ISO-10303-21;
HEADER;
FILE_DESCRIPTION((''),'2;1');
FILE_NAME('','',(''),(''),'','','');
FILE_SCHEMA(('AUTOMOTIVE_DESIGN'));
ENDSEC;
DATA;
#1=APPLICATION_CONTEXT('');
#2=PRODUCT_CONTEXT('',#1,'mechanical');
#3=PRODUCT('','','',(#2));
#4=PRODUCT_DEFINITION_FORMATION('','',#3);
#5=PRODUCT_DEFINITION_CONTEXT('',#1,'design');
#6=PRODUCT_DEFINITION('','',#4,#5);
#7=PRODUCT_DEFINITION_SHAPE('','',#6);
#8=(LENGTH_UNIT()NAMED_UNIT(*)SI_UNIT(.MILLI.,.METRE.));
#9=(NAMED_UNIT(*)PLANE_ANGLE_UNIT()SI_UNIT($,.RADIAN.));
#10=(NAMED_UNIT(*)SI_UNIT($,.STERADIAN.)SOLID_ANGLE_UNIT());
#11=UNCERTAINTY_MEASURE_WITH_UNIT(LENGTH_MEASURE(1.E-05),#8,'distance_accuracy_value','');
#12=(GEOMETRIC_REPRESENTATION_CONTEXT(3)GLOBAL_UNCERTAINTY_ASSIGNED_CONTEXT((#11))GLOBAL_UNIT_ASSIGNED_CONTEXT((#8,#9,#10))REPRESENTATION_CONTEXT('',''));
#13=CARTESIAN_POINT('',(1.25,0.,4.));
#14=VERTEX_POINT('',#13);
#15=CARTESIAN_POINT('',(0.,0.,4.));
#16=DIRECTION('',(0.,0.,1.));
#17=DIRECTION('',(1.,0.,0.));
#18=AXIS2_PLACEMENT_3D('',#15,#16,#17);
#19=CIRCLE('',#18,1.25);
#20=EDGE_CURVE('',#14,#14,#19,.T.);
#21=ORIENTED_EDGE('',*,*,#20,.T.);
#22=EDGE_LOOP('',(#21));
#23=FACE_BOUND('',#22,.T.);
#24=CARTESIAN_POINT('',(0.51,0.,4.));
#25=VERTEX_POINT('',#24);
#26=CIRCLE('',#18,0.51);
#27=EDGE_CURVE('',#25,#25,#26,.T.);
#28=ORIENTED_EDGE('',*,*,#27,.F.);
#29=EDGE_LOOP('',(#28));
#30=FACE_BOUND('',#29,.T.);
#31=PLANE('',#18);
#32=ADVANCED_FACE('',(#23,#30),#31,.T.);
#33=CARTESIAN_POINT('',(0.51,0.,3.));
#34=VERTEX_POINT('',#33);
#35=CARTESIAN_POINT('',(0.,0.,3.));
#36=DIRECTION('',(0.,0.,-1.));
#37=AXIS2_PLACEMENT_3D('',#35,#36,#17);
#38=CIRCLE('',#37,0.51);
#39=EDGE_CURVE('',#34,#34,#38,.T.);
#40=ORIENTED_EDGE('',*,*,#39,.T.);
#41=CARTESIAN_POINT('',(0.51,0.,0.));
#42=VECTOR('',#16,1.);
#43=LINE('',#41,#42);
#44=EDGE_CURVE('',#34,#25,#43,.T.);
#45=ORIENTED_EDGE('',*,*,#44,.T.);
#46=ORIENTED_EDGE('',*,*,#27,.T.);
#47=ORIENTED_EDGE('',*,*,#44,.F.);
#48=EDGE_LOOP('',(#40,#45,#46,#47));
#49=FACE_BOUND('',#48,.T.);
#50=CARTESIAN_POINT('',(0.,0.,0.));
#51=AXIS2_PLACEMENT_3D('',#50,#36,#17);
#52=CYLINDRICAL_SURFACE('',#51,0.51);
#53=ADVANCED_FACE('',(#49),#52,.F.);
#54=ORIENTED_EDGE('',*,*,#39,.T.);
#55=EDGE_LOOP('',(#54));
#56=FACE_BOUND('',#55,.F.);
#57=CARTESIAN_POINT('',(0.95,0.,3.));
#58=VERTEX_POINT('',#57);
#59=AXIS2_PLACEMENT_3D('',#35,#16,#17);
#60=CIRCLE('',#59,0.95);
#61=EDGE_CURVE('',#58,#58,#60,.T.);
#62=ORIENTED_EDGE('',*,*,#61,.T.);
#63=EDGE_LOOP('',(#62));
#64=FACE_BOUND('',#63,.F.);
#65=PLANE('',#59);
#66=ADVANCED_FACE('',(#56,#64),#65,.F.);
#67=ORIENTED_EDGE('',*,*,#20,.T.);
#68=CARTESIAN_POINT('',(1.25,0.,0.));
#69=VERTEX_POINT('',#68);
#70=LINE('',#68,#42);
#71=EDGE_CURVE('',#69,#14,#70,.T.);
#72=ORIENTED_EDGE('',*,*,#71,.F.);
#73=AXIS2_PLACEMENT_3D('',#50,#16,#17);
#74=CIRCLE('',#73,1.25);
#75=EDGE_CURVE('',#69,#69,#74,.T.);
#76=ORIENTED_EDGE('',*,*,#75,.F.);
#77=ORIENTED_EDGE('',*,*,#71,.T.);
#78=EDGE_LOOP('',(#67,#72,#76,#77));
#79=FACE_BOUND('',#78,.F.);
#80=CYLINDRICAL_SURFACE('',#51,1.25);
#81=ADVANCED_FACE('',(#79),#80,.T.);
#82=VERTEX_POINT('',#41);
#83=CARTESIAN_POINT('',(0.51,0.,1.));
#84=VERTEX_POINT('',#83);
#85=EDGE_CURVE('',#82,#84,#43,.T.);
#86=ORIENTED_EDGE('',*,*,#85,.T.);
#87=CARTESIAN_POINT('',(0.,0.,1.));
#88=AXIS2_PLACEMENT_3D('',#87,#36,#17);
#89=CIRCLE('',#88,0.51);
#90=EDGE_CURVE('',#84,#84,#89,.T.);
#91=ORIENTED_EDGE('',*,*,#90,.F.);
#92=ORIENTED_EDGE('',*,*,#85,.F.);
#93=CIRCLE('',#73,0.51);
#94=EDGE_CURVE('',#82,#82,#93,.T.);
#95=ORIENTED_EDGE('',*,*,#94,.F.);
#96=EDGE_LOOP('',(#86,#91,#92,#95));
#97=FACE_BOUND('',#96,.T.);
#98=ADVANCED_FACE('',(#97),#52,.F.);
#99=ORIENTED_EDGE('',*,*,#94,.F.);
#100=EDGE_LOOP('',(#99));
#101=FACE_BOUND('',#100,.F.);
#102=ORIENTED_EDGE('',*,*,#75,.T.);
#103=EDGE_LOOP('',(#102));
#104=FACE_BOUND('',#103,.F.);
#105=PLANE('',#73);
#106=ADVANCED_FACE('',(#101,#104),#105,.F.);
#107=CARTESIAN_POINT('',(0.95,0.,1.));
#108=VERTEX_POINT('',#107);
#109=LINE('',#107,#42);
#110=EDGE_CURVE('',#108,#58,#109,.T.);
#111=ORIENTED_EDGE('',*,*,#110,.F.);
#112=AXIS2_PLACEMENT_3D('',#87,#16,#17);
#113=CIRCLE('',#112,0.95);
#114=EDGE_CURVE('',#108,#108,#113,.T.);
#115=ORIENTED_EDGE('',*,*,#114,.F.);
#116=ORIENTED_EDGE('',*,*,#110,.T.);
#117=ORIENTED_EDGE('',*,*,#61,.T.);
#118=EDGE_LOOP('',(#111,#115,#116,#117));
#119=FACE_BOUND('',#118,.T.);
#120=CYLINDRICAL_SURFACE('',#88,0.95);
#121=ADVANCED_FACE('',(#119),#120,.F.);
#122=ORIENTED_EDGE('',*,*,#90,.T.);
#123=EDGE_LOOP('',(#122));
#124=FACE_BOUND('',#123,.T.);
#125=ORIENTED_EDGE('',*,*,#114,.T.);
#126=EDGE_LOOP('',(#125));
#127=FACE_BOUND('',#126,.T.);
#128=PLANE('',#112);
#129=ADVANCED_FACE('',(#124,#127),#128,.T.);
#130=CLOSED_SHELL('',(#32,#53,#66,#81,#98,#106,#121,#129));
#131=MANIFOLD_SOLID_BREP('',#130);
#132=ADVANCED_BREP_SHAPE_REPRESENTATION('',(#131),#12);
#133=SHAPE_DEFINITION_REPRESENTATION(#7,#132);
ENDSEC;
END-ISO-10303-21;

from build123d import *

# Parameters (mm, degrees)
CYLINDER_R     = 0.95
CYLINDER_DEPTH = 2
TUBE005_R      = 1.25
TUBE005_R_2    = 0.51
TUBE005_DEPTH  = 4


with BuildPart() as cylinder:
    # Cylinder → Cylinder (new body)
    with BuildSketch(Plane.XY.offset(1)):
        Circle(CYLINDER_R)
    extrude(amount=CYLINDER_DEPTH)


with BuildPart() as cut:
    # Tube005 → Tube005 (new body)
    with BuildSketch(Plane.XY):
        Circle(TUBE005_R)
        Circle(TUBE005_R_2, mode=Mode.SUBTRACT)
    extrude(amount=TUBE005_DEPTH)

    # Cut: cut Cylinder
    add(cylinder.part, mode=Mode.SUBTRACT)


solid = cut.part
